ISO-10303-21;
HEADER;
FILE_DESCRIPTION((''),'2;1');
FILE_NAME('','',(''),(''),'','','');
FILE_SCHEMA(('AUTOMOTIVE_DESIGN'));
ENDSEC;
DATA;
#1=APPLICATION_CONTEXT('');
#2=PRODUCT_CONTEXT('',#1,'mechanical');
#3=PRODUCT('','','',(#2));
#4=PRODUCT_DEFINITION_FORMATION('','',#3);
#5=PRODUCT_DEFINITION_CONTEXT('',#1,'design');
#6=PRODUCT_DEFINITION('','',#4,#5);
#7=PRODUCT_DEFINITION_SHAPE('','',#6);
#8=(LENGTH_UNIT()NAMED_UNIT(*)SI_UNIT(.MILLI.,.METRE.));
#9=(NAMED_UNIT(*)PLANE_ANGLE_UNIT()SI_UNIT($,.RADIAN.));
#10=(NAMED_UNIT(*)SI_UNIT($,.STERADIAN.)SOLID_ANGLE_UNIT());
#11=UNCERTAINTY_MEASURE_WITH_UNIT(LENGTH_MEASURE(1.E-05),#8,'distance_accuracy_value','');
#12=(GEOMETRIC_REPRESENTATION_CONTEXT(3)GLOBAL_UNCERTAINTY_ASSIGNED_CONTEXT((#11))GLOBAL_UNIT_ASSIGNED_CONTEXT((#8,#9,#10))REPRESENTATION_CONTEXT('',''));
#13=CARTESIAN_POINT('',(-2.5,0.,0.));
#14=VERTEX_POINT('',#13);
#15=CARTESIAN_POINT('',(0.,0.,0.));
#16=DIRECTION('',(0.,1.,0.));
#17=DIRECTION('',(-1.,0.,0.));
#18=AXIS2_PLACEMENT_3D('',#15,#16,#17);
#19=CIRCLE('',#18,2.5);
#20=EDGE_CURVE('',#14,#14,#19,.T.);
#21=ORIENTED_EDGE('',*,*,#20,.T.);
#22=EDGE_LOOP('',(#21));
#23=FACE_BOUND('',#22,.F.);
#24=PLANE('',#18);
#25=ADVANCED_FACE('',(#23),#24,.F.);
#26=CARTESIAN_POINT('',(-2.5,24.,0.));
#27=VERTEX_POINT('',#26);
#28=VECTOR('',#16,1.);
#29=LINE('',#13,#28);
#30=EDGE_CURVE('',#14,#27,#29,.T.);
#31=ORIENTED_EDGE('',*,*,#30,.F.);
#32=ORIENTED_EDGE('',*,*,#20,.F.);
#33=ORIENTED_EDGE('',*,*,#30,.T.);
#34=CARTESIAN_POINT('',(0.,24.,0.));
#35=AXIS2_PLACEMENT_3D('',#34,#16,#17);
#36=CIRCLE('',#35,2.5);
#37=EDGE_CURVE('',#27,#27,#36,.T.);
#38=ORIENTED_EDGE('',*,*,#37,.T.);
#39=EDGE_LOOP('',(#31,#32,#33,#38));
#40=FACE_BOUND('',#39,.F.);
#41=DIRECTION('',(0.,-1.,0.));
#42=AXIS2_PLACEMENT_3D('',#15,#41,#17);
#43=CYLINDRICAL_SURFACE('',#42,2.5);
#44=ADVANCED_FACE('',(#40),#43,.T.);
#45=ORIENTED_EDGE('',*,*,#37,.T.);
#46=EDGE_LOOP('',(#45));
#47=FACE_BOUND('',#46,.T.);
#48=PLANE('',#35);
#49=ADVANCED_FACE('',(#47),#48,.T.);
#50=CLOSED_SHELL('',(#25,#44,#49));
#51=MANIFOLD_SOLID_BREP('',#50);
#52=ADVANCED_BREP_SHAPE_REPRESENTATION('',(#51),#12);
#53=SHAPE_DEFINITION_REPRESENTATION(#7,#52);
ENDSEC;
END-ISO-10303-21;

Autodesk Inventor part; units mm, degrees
ref_plane "YZ Plane" through (0, 0, 0) normal (1, 0, 0) x (0, 1, 0)
ref_plane "XZ Plane" through (0, 0, 0) normal (0, 1, 0) x (-1, 0, 0)
sketch "Skizze1" plane through (0, 0, 0) normal (0, 1, 0) x (-1, 0, 0)
  circle A0 centre (0, 0) radius 2.5
  dimension "d0" = 5
extrude "Extrusion1" add sketch "Skizze1" along normal blind 24
ref_plane "Work Plane1" through (0, 12, 0) normal (0, -1, 0) x (1, 0, 0)
properties part number "KolbenFitting" material "Aluminum 6061-AHC"
